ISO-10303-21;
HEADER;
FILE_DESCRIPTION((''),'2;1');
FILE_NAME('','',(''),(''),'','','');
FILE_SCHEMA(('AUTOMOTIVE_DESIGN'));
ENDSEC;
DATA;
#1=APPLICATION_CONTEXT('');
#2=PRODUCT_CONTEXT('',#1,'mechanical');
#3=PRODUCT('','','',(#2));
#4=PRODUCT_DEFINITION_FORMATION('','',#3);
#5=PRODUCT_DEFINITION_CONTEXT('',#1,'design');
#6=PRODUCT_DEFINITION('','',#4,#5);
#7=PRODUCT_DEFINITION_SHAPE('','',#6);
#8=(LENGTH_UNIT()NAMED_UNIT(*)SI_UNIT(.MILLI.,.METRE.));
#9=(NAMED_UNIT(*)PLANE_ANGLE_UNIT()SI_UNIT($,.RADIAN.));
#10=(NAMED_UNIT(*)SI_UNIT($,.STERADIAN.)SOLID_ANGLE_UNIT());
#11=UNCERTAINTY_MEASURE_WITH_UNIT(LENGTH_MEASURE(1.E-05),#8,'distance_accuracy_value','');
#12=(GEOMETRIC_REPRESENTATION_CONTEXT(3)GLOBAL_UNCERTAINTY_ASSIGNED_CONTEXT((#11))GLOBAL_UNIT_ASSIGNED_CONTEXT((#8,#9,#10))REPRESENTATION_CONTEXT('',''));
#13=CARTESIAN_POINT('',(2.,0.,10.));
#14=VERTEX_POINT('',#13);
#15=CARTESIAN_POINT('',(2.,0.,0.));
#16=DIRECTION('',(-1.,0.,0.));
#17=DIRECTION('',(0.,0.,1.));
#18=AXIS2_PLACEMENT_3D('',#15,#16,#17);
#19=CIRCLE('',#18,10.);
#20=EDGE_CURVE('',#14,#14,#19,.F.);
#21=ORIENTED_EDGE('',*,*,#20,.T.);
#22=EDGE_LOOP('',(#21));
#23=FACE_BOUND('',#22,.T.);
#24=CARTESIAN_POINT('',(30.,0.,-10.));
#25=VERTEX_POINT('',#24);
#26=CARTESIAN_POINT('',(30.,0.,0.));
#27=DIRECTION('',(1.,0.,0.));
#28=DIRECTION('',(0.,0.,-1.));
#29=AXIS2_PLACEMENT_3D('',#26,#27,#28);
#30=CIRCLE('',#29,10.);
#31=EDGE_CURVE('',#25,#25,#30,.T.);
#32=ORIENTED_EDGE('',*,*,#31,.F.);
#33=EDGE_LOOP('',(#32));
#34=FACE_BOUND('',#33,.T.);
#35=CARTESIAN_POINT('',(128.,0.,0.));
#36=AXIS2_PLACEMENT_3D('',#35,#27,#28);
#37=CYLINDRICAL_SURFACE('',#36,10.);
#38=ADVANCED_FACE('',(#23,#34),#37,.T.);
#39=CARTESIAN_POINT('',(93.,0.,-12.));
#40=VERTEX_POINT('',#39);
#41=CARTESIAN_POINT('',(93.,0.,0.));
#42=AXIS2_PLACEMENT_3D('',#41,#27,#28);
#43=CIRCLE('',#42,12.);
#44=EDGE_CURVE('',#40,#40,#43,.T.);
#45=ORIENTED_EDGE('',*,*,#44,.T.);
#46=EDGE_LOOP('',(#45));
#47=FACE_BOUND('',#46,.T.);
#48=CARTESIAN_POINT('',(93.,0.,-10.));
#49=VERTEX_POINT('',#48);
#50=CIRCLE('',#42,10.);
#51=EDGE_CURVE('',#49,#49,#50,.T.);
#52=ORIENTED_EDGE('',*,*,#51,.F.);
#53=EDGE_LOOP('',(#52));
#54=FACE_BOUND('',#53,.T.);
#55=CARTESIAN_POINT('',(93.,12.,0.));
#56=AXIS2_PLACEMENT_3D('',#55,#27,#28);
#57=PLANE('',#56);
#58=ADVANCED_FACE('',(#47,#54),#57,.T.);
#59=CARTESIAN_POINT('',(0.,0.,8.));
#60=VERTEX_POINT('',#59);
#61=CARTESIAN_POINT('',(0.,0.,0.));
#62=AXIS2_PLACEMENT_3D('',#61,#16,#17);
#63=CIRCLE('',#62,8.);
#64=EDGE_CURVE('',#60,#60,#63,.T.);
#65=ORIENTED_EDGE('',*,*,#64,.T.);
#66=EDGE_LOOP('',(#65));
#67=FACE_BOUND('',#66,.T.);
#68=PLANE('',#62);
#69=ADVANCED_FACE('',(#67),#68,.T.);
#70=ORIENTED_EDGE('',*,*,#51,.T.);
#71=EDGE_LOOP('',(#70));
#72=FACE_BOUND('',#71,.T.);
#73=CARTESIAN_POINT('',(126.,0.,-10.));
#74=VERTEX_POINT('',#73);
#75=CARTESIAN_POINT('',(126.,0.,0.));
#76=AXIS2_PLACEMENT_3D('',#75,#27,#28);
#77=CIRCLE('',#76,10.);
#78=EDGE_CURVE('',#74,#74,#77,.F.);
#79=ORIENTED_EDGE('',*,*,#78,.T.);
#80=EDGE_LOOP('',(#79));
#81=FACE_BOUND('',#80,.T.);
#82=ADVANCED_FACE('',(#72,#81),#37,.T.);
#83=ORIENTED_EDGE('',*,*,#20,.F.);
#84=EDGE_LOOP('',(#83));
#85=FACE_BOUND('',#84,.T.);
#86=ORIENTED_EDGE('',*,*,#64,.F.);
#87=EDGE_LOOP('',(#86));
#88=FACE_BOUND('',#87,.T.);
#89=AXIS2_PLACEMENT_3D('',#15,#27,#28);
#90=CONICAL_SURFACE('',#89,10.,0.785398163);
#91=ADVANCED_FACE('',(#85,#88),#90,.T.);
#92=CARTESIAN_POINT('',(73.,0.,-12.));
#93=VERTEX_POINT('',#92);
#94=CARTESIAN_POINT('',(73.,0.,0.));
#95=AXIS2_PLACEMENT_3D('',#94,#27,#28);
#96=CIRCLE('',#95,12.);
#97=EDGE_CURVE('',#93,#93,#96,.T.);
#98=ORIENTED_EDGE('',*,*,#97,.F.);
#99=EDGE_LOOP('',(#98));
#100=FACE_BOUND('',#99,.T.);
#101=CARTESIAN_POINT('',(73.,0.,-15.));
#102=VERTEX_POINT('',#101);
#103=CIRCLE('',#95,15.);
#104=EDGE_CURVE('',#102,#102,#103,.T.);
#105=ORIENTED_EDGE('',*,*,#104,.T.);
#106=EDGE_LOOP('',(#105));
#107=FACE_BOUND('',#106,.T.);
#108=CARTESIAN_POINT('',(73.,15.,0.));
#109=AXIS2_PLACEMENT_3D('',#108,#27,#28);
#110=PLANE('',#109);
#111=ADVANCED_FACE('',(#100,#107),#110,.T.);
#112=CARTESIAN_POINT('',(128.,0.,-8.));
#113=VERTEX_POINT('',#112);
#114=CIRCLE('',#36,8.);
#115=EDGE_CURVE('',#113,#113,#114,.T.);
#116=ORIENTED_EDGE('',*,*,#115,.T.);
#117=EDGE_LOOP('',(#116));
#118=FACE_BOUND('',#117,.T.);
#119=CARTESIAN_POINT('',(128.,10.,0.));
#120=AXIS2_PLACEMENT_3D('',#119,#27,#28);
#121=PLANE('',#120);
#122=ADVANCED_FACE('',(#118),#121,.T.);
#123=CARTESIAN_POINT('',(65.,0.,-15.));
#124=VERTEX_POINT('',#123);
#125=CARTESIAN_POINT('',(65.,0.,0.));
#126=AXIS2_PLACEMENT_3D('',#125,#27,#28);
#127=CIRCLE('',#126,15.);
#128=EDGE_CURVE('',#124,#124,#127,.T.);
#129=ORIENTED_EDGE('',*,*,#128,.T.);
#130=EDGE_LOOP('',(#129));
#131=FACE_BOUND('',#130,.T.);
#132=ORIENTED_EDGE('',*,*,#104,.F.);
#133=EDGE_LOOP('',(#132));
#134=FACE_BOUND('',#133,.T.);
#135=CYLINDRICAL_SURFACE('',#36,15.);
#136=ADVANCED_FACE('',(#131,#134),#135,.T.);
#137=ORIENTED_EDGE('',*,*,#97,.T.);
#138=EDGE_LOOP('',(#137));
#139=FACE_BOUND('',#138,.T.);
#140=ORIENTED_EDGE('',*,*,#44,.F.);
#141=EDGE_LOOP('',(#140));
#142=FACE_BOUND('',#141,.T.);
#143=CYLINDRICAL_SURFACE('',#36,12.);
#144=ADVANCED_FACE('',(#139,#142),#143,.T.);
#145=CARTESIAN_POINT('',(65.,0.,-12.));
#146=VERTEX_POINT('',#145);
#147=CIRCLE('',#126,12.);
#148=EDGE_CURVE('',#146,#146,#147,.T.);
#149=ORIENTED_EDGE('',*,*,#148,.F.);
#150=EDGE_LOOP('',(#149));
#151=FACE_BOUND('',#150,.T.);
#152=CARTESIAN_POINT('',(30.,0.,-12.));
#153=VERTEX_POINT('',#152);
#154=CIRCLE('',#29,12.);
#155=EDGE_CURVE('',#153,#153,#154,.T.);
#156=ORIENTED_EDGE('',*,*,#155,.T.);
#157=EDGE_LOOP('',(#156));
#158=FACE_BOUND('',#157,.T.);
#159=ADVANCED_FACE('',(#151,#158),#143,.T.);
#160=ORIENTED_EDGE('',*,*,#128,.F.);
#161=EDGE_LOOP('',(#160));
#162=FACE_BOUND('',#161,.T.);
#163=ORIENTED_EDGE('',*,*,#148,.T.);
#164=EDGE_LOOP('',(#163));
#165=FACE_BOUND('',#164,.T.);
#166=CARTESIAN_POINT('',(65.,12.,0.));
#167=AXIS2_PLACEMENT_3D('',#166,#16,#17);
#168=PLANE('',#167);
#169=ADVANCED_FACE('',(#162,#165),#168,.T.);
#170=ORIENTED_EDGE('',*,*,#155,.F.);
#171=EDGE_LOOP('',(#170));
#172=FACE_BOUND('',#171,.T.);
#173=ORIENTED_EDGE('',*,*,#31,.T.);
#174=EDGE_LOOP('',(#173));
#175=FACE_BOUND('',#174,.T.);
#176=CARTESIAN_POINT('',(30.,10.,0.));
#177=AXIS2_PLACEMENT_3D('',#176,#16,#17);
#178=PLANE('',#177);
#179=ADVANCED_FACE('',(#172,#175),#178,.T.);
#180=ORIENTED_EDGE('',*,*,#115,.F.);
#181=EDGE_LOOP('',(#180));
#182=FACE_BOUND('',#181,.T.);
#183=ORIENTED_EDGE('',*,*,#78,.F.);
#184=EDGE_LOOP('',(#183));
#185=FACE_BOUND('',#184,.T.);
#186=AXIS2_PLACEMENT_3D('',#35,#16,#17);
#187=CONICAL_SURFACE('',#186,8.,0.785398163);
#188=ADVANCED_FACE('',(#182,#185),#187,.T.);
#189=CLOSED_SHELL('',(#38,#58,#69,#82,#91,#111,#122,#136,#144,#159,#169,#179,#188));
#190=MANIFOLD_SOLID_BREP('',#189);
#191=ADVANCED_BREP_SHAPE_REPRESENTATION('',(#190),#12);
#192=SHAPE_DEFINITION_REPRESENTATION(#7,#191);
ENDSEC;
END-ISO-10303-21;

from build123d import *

# Parameters (mm, degrees)
ZKOSEN_1_SIZE = 2


with BuildPart() as part:
    # Skica1 → Rotovat1 (revolve)
    with BuildSketch(Plane.XY):
        Polygon((0, 0), (0, 10), (30, 10), (30, 12), (65, 12), (65, 15), (73, 15), (73, 12), (93, 12), (93, 10), (128, 10), (128, 0), align=None)
    revolve(axis=Axis((128, 0, 0), (-1, 0, 0)))

    # Zkosení1
    zkosen_1_edges = [part.edges().sort_by_distance(p)[0] for p in [
        (0, -10, 0),
        (128, -10, 0),
    ]]
    chamfer(zkosen_1_edges, length=ZKOSEN_1_SIZE)


solid = part.part
